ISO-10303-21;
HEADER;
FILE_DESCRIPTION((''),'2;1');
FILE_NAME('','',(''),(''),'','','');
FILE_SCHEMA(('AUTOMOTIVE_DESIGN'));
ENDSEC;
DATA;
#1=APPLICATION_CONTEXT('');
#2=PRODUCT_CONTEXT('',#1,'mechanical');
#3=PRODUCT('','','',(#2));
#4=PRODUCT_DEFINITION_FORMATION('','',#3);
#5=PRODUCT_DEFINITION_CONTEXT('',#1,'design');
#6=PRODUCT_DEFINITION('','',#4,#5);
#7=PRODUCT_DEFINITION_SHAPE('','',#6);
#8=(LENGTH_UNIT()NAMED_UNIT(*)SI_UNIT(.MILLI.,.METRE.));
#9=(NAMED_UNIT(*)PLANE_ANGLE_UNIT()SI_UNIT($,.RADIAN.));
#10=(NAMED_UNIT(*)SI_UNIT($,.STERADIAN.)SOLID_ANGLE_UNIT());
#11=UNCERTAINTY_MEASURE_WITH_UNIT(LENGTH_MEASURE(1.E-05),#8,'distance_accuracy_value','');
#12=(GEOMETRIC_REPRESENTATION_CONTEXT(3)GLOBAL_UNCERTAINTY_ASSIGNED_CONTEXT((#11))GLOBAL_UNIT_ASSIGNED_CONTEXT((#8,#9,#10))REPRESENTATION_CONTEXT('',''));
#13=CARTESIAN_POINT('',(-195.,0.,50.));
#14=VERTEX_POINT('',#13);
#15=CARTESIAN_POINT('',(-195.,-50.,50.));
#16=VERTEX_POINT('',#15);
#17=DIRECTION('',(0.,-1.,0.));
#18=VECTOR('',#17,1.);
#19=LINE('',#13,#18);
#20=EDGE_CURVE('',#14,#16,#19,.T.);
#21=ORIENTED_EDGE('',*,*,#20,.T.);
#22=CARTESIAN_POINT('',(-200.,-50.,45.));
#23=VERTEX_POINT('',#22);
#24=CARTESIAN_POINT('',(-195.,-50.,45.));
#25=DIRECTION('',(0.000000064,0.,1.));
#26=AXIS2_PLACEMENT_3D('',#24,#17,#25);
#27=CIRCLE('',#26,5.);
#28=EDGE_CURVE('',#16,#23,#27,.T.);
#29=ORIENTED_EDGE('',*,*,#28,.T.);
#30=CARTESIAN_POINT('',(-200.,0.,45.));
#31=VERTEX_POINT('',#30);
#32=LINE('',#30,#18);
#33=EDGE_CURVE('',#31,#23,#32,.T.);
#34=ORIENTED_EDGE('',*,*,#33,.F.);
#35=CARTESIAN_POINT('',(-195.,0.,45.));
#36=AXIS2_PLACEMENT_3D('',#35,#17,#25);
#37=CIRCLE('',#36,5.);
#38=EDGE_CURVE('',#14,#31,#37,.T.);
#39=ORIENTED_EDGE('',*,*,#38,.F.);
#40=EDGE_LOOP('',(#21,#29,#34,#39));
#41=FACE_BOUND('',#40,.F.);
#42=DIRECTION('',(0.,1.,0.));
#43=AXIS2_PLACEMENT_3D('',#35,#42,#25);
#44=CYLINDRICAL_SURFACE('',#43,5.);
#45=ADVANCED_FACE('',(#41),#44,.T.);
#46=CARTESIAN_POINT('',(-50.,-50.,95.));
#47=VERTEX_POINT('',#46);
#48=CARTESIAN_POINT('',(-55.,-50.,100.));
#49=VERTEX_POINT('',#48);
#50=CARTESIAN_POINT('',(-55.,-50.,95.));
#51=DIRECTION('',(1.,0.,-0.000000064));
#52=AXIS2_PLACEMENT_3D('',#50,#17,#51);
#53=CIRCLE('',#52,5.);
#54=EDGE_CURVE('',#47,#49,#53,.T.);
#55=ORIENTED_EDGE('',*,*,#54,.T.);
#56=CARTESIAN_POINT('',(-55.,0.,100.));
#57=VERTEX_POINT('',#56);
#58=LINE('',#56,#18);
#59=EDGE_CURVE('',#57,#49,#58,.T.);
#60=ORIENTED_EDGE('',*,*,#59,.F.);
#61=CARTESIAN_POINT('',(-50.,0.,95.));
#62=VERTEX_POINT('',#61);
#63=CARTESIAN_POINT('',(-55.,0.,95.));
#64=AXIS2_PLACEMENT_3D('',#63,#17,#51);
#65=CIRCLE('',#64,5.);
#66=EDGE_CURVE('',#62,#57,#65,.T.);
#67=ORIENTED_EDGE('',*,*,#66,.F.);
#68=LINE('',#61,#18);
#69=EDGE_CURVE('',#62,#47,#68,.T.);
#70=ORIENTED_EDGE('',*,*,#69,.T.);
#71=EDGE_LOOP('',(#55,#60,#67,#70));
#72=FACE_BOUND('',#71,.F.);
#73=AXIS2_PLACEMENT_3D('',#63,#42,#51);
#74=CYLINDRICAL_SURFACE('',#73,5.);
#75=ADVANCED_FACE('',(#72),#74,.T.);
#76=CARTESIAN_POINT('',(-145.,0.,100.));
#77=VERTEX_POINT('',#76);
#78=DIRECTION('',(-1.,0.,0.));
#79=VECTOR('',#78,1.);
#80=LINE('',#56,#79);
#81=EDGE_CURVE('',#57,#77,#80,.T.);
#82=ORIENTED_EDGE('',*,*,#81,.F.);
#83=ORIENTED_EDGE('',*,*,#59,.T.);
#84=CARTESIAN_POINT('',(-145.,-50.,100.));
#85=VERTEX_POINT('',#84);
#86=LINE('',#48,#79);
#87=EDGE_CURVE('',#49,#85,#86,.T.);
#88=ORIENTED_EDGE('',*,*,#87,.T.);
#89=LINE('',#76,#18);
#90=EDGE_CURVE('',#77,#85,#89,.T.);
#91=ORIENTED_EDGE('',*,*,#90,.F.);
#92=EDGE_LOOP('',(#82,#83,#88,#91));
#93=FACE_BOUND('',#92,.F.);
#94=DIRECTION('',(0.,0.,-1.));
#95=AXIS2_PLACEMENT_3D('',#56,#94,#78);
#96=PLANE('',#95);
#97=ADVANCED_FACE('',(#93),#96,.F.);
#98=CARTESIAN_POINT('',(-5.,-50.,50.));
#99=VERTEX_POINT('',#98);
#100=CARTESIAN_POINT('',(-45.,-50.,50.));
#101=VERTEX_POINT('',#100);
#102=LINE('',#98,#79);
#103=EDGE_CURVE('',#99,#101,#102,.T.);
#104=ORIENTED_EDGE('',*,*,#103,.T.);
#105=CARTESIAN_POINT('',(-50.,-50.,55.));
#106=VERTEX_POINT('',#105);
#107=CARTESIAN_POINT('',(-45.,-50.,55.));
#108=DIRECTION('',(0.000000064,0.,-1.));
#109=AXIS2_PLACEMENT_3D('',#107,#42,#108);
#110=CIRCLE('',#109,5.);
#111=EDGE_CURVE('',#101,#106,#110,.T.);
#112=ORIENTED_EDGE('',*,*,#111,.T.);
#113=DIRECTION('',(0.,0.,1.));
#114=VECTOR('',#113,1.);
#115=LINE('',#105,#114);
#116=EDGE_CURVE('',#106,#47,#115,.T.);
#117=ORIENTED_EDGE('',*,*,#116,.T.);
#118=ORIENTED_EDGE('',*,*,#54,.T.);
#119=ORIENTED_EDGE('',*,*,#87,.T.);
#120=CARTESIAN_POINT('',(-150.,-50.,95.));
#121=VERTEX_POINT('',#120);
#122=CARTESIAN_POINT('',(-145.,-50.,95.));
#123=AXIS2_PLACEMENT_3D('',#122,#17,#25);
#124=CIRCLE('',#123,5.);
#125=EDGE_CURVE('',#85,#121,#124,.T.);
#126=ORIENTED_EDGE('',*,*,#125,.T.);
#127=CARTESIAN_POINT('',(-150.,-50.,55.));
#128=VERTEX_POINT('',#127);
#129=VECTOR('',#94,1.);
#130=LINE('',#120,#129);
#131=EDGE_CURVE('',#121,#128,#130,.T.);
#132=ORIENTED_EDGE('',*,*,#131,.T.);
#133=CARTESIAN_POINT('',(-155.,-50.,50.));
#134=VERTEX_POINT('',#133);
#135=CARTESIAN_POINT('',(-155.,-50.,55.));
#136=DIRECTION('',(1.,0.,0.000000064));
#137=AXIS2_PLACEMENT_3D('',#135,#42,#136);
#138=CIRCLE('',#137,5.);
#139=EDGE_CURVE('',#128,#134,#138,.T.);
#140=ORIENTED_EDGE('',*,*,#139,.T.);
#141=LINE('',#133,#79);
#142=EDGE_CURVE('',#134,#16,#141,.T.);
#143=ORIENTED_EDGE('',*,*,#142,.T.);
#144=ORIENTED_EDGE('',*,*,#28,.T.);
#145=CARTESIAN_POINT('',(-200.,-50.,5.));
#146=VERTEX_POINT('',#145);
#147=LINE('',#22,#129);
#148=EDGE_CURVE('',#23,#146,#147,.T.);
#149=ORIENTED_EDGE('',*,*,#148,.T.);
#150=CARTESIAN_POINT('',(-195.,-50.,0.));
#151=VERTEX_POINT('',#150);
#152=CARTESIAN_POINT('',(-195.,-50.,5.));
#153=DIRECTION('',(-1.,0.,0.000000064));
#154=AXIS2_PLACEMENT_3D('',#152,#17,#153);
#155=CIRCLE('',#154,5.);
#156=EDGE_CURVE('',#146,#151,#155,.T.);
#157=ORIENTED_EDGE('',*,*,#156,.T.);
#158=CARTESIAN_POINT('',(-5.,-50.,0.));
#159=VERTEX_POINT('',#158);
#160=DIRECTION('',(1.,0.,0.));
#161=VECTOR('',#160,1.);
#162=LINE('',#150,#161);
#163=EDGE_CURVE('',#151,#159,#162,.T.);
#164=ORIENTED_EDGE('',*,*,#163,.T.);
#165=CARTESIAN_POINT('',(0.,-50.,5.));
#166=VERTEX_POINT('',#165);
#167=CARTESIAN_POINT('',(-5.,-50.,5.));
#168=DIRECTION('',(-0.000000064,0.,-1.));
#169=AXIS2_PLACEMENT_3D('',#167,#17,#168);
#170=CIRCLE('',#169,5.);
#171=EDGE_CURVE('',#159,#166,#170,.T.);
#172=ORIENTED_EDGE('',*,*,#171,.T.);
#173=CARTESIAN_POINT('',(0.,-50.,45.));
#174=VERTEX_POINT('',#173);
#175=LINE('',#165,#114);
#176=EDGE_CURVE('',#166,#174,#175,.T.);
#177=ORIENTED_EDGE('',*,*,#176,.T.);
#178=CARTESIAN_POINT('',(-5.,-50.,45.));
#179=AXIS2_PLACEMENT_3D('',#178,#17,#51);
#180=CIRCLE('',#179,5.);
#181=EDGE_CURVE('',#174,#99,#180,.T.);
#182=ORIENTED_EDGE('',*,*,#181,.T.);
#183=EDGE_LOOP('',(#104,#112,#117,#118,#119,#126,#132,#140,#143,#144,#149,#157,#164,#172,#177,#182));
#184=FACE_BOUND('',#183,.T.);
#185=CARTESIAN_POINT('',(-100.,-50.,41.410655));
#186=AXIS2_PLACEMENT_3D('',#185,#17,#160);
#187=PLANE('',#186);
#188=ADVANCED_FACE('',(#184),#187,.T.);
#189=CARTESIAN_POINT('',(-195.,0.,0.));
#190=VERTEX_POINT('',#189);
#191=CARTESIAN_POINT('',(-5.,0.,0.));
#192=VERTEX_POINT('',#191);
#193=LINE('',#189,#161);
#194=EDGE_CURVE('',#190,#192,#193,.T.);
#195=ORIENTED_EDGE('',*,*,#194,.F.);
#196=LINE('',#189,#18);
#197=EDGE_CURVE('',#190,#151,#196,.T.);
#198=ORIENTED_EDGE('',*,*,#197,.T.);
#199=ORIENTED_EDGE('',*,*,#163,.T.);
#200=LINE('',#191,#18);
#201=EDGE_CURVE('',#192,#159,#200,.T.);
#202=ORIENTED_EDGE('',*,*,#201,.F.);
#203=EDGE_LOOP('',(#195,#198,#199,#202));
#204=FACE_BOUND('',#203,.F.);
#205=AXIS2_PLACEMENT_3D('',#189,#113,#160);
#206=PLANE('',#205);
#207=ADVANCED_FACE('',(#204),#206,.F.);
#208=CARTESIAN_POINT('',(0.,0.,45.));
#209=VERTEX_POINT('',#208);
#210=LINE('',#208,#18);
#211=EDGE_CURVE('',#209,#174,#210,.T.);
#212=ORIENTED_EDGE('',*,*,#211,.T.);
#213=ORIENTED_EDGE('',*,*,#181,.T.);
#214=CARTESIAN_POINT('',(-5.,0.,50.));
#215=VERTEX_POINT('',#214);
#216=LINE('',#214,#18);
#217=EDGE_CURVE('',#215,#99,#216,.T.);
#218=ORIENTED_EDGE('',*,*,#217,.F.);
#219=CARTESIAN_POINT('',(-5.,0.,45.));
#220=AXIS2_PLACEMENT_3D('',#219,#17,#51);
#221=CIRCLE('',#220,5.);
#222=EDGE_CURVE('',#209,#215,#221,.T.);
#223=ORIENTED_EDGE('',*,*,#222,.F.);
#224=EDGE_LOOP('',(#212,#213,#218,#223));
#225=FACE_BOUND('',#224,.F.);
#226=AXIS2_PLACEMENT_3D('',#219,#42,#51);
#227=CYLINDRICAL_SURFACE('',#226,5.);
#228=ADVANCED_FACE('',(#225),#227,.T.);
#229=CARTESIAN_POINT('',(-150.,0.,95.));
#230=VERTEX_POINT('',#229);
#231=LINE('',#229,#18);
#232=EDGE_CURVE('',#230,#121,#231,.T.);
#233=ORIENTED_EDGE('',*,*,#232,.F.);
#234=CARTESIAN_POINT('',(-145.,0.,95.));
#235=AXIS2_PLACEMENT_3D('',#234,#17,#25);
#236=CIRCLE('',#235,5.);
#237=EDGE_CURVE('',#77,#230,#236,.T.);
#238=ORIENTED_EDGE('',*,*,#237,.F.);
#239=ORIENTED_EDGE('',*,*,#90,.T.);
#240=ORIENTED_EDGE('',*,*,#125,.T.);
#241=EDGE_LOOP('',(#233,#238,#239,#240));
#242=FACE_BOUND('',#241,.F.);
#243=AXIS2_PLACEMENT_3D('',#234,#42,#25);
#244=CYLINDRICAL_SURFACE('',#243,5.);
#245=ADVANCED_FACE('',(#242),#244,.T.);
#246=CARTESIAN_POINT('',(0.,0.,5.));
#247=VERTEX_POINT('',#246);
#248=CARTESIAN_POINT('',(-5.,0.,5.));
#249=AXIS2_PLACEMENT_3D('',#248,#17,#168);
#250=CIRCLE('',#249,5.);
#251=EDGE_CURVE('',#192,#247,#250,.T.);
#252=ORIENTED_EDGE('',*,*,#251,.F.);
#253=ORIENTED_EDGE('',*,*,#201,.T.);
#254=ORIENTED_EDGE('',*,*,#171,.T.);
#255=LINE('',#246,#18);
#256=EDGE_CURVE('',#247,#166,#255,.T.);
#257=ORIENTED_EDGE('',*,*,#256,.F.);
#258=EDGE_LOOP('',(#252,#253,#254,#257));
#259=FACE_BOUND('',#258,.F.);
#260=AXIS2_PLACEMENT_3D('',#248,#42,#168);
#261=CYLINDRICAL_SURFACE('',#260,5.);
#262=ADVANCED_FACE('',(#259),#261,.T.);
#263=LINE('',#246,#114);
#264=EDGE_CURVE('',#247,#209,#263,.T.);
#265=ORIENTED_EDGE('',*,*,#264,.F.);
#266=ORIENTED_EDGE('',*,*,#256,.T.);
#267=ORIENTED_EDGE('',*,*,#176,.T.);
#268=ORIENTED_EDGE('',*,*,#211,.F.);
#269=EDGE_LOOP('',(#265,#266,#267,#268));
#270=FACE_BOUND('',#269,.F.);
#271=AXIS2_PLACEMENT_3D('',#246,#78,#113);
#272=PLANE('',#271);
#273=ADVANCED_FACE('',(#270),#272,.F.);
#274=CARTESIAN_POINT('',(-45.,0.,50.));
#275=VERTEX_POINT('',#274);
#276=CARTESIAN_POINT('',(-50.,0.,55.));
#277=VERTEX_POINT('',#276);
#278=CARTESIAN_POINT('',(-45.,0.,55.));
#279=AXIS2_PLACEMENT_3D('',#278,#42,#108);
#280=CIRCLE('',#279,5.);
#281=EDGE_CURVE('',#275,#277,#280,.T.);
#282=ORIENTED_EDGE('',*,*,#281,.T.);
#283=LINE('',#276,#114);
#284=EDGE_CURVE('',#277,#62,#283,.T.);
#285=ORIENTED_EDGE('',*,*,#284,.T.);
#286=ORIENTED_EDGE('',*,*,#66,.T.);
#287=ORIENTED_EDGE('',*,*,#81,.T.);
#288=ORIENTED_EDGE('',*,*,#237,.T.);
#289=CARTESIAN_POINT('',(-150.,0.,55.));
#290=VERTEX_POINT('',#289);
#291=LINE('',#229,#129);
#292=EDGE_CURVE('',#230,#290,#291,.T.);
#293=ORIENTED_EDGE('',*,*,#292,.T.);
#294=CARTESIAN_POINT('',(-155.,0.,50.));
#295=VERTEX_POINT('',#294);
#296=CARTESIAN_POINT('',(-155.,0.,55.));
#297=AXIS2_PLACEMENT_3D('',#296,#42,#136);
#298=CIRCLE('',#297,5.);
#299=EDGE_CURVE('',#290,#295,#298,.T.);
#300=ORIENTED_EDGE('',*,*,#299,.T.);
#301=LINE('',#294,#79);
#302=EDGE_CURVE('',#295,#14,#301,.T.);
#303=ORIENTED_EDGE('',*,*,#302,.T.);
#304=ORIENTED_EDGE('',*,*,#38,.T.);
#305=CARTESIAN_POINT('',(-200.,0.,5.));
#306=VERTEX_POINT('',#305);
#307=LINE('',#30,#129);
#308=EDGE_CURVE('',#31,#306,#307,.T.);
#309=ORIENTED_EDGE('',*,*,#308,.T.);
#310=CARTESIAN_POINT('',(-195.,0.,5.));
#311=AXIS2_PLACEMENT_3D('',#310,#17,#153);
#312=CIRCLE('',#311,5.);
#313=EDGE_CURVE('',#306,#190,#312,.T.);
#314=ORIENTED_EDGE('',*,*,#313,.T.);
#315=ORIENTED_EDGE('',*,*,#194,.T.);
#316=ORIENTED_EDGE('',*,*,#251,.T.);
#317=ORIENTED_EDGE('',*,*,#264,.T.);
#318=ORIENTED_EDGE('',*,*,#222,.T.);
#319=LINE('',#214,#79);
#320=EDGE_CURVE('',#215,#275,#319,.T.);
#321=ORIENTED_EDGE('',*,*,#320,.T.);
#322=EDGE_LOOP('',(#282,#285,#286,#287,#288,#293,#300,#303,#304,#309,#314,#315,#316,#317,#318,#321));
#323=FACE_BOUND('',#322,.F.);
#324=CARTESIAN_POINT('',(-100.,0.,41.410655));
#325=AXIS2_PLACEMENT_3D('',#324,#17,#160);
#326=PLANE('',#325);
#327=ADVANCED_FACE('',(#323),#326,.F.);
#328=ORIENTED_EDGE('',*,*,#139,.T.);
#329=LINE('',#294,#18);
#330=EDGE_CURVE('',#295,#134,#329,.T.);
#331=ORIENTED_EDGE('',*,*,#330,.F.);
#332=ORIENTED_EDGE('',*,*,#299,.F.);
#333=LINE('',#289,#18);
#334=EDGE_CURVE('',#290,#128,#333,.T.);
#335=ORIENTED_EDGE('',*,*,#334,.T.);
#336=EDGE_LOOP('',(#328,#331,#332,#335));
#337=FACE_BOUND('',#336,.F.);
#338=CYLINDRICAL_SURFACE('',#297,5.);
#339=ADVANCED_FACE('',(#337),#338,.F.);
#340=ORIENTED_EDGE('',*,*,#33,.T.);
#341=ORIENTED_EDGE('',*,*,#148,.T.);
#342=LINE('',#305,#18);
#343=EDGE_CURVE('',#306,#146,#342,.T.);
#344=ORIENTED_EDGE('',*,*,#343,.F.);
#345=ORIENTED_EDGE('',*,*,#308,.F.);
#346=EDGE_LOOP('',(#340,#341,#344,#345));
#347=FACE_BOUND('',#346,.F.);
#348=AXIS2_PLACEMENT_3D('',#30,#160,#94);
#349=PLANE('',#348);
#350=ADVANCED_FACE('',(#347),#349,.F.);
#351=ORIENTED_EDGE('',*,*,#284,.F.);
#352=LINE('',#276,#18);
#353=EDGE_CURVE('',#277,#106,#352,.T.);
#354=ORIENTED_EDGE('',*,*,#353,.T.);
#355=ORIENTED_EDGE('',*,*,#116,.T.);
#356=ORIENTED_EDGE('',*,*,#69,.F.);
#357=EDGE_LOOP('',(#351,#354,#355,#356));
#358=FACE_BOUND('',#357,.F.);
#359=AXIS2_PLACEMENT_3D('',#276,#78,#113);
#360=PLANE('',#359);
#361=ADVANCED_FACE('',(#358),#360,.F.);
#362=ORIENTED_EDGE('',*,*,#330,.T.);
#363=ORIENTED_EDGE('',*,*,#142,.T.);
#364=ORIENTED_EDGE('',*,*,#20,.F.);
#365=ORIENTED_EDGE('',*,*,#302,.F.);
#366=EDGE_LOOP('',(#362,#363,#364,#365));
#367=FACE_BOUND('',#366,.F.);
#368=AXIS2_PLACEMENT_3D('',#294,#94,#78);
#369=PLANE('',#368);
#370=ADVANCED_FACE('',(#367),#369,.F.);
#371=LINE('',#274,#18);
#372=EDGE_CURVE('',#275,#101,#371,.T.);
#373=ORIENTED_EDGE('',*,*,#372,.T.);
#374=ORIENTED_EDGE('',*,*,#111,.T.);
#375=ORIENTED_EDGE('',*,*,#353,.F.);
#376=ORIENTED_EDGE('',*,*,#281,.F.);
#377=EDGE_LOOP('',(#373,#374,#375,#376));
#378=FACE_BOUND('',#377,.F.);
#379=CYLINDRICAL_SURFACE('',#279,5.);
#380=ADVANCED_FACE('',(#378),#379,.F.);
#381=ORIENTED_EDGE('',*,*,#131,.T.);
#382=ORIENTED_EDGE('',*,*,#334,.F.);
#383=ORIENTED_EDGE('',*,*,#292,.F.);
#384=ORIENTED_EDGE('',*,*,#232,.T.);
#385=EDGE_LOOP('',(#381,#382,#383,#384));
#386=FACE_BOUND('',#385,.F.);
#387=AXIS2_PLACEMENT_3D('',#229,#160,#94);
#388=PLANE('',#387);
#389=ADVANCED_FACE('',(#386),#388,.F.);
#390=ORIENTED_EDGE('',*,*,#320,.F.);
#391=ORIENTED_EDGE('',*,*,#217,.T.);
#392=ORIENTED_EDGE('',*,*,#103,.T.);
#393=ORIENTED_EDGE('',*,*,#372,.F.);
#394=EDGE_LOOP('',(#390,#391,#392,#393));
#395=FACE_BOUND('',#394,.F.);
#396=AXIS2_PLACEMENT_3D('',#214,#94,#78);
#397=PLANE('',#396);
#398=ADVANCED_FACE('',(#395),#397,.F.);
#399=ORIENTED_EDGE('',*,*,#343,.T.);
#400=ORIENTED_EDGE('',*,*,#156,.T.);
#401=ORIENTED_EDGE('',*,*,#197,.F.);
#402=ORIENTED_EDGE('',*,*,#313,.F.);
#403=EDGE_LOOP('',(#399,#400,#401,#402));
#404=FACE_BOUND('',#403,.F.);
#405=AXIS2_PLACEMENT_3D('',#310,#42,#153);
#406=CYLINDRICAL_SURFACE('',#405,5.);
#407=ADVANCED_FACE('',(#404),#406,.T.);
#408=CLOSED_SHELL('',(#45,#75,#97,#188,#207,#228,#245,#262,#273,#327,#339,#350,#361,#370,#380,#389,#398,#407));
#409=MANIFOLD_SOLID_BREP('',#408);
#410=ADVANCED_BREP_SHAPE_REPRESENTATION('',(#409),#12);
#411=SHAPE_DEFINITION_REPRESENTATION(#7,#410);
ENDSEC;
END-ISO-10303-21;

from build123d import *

# Parameters (mm, degrees)
F1_DEPTH = 50


with BuildPart() as f1:
    # F0 (on Front) → F1 (new body)
    with BuildSketch(Plane.XZ):
        with BuildLine():
            Line((-195, 0), (-5, 0))
            ThreePointArc((-5, 0), (-1.464466, 1.464466), (0, 5))
            Line((0, 5), (0, 45))
            ThreePointArc((0, 45), (-1.464466, 48.535534), (-5, 50))
            Line((-5, 50), (-45, 50))
            ThreePointArc((-45, 50), (-48.535534, 51.464466), (-50, 55))
            Line((-50, 55), (-50, 95))
            ThreePointArc((-50, 95), (-51.464466, 98.535534), (-55, 100))
            Line((-55, 100), (-145, 100))
            ThreePointArc((-145, 100), (-148.535534, 98.535534), (-150, 95))
            Line((-150, 95), (-150, 55))
            ThreePointArc((-150, 55), (-151.464466, 51.464466), (-155, 50))
            Line((-155, 50), (-195, 50))
            ThreePointArc((-195, 50), (-198.535534, 48.535534), (-200, 45))
            Line((-200, 45), (-200, 5))
            ThreePointArc((-200, 5), (-198.535534, 1.464466), (-195, 0))
        make_face()
    extrude(amount=F1_DEPTH)


solid = f1.part
